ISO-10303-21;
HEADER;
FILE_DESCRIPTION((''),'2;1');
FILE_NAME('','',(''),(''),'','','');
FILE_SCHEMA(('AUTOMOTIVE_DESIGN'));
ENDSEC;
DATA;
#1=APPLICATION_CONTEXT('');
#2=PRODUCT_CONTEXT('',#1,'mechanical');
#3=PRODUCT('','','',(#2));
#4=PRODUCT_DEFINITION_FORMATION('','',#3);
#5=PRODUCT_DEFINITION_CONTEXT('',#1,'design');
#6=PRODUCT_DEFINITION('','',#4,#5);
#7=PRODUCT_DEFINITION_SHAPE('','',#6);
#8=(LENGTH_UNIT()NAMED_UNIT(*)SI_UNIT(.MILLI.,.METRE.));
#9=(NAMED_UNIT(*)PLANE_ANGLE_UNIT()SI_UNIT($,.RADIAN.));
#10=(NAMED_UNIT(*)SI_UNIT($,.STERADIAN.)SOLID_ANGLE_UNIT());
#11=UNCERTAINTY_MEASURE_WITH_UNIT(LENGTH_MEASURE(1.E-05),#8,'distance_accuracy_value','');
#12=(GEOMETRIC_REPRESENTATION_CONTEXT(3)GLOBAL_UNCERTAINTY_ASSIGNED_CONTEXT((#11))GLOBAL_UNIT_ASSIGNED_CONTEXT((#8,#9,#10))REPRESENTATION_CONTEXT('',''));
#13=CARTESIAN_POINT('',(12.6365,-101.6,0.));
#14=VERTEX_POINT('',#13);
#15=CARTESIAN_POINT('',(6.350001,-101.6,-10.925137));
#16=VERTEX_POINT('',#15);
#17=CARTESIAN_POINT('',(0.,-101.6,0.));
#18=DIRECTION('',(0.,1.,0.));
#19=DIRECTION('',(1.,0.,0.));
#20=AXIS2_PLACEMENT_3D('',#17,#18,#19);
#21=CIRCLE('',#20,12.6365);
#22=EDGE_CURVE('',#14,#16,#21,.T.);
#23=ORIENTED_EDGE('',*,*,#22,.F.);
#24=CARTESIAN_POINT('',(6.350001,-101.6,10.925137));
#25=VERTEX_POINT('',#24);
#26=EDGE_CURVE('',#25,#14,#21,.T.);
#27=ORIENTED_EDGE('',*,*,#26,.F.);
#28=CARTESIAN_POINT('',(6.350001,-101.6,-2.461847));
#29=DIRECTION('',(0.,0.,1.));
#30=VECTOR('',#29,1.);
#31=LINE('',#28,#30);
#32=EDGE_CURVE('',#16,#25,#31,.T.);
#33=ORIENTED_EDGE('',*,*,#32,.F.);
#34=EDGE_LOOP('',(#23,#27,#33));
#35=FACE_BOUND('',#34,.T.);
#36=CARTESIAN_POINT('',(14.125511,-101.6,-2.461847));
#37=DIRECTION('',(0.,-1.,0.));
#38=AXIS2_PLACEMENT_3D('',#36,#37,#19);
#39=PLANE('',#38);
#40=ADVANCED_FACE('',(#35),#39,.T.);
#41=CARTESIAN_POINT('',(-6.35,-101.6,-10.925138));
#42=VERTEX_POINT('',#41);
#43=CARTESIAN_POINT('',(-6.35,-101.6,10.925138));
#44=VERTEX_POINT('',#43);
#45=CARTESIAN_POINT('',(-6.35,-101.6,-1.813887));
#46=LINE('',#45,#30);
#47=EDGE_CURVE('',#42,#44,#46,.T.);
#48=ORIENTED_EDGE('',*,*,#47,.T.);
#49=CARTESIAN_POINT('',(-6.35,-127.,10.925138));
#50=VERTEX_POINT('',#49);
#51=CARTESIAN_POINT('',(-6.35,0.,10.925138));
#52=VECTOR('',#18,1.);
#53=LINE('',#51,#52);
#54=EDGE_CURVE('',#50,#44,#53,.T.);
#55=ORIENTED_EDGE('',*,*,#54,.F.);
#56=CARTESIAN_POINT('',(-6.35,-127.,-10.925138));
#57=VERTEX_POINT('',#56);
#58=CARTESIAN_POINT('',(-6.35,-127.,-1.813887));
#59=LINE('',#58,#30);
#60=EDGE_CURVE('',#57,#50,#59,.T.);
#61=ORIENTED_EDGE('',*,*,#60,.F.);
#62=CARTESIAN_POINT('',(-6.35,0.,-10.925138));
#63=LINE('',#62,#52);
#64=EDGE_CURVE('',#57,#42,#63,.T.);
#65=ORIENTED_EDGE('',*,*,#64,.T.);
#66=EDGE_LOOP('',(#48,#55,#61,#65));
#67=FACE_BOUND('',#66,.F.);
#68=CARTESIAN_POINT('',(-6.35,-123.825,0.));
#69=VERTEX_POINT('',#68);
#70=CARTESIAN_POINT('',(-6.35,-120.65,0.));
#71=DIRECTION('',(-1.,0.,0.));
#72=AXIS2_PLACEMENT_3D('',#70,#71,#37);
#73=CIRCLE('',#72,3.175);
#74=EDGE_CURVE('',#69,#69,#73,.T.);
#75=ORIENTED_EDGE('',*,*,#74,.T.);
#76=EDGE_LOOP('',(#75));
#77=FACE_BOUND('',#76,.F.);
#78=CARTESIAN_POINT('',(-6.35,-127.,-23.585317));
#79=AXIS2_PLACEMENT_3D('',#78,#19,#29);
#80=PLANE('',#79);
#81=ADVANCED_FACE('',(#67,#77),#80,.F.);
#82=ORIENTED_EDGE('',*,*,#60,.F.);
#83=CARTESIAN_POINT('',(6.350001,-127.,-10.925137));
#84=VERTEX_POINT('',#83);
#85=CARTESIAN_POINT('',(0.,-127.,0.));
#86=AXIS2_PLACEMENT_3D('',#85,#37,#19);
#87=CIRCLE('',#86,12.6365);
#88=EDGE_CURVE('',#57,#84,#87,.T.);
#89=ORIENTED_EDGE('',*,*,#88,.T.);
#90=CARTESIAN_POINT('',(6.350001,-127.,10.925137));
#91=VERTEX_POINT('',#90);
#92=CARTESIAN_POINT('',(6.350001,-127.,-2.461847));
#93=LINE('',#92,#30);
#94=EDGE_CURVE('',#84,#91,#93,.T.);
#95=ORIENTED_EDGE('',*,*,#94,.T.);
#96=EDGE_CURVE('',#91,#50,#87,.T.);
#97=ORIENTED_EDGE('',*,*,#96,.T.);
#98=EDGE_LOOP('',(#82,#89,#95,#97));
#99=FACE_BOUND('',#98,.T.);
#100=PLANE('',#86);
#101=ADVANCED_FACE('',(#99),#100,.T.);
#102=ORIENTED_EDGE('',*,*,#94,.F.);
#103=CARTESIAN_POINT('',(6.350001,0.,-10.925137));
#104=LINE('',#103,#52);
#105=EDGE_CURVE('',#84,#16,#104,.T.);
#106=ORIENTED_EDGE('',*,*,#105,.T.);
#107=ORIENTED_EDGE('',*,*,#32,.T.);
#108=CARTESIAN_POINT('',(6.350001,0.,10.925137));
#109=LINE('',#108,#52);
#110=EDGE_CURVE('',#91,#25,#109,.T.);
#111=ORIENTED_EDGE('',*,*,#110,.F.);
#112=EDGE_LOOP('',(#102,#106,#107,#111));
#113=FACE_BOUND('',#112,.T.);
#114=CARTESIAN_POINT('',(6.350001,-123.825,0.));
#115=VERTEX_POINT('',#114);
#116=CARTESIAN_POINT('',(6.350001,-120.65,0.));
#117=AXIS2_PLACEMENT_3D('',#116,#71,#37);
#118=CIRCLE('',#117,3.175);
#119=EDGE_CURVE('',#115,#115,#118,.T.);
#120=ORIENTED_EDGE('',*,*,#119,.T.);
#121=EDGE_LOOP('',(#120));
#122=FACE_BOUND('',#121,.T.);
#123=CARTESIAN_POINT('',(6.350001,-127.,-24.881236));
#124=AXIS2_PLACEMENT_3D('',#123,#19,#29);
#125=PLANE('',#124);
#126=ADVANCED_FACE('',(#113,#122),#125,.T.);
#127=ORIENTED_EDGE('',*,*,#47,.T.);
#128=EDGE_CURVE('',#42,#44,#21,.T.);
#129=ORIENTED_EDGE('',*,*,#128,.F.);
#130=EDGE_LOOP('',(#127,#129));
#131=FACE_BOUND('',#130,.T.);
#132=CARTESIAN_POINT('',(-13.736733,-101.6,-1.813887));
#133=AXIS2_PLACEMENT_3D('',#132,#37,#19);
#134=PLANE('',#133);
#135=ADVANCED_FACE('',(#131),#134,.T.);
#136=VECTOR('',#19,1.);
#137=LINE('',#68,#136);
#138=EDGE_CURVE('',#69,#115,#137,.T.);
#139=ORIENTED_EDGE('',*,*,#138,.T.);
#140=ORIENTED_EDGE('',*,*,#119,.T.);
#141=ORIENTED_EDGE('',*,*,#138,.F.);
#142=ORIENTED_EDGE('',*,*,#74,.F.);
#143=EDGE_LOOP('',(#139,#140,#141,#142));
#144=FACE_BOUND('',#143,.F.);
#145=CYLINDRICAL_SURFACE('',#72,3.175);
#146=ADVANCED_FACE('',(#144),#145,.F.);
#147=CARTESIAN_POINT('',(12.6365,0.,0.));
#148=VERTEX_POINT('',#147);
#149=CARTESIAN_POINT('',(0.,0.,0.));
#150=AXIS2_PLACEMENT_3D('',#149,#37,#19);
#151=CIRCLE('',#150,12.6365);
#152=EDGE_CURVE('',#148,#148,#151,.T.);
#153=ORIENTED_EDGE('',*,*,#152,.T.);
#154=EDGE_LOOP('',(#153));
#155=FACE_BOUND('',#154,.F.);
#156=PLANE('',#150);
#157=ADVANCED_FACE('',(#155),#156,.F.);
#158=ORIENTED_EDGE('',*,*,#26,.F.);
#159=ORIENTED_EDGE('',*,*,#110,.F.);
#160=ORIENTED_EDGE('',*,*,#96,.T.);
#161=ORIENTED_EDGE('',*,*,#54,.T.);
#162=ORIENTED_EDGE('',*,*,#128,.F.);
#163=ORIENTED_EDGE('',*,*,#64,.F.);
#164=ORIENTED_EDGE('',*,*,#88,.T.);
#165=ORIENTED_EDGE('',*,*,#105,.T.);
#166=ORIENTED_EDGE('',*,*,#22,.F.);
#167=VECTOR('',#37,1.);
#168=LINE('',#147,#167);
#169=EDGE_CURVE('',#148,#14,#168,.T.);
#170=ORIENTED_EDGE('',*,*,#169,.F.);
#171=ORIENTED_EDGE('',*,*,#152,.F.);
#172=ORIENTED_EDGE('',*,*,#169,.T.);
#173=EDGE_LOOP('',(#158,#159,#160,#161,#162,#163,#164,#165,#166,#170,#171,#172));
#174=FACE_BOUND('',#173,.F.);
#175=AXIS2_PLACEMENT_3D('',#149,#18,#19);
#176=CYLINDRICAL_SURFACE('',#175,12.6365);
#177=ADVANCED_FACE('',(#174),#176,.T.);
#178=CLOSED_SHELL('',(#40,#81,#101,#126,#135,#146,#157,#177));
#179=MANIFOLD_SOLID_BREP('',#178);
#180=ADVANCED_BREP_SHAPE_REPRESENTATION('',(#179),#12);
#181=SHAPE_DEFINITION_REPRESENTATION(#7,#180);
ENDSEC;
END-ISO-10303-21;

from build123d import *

# Parameters (mm, degrees)
F0_R     = 12.6365
F1_DEPTH = 127
F2_W     = 14.773466
F2_H     = 43.54286
F2_W_2   = 15.551021
F2_H_2   = 44.838779
F3_DEPTH = 25.4
F4_R     = 3.175
F5_DEPTH = 25.4


with BuildPart() as f1:
    # F0 (on Front) → F1 (new body)
    with BuildSketch(Plane.XZ):
        Circle(F0_R)
    extrude(amount=F1_DEPTH)

    # F2 (on face) → F3 (cut)
    with BuildSketch(Plane.XZ.offset(127)):
        with Locations((-13.736733, -1.813887)):
            Rectangle(F2_W, F2_H)
        with Locations((14.125511, -2.461847)):
            Rectangle(F2_W_2, F2_H_2)
    extrude(amount=-F3_DEPTH, mode=Mode.SUBTRACT)

    # F4 (on face) → F5 (cut)
    with BuildSketch(Plane(origin=(-6.35, 0, 0), x_dir=(0, -1, 0), z_dir=(-1, 0, 0))):
        with Locations((120.65, 0)):
            Circle(F4_R)
    extrude(amount=-F5_DEPTH, mode=Mode.SUBTRACT)


solid = f1.part
